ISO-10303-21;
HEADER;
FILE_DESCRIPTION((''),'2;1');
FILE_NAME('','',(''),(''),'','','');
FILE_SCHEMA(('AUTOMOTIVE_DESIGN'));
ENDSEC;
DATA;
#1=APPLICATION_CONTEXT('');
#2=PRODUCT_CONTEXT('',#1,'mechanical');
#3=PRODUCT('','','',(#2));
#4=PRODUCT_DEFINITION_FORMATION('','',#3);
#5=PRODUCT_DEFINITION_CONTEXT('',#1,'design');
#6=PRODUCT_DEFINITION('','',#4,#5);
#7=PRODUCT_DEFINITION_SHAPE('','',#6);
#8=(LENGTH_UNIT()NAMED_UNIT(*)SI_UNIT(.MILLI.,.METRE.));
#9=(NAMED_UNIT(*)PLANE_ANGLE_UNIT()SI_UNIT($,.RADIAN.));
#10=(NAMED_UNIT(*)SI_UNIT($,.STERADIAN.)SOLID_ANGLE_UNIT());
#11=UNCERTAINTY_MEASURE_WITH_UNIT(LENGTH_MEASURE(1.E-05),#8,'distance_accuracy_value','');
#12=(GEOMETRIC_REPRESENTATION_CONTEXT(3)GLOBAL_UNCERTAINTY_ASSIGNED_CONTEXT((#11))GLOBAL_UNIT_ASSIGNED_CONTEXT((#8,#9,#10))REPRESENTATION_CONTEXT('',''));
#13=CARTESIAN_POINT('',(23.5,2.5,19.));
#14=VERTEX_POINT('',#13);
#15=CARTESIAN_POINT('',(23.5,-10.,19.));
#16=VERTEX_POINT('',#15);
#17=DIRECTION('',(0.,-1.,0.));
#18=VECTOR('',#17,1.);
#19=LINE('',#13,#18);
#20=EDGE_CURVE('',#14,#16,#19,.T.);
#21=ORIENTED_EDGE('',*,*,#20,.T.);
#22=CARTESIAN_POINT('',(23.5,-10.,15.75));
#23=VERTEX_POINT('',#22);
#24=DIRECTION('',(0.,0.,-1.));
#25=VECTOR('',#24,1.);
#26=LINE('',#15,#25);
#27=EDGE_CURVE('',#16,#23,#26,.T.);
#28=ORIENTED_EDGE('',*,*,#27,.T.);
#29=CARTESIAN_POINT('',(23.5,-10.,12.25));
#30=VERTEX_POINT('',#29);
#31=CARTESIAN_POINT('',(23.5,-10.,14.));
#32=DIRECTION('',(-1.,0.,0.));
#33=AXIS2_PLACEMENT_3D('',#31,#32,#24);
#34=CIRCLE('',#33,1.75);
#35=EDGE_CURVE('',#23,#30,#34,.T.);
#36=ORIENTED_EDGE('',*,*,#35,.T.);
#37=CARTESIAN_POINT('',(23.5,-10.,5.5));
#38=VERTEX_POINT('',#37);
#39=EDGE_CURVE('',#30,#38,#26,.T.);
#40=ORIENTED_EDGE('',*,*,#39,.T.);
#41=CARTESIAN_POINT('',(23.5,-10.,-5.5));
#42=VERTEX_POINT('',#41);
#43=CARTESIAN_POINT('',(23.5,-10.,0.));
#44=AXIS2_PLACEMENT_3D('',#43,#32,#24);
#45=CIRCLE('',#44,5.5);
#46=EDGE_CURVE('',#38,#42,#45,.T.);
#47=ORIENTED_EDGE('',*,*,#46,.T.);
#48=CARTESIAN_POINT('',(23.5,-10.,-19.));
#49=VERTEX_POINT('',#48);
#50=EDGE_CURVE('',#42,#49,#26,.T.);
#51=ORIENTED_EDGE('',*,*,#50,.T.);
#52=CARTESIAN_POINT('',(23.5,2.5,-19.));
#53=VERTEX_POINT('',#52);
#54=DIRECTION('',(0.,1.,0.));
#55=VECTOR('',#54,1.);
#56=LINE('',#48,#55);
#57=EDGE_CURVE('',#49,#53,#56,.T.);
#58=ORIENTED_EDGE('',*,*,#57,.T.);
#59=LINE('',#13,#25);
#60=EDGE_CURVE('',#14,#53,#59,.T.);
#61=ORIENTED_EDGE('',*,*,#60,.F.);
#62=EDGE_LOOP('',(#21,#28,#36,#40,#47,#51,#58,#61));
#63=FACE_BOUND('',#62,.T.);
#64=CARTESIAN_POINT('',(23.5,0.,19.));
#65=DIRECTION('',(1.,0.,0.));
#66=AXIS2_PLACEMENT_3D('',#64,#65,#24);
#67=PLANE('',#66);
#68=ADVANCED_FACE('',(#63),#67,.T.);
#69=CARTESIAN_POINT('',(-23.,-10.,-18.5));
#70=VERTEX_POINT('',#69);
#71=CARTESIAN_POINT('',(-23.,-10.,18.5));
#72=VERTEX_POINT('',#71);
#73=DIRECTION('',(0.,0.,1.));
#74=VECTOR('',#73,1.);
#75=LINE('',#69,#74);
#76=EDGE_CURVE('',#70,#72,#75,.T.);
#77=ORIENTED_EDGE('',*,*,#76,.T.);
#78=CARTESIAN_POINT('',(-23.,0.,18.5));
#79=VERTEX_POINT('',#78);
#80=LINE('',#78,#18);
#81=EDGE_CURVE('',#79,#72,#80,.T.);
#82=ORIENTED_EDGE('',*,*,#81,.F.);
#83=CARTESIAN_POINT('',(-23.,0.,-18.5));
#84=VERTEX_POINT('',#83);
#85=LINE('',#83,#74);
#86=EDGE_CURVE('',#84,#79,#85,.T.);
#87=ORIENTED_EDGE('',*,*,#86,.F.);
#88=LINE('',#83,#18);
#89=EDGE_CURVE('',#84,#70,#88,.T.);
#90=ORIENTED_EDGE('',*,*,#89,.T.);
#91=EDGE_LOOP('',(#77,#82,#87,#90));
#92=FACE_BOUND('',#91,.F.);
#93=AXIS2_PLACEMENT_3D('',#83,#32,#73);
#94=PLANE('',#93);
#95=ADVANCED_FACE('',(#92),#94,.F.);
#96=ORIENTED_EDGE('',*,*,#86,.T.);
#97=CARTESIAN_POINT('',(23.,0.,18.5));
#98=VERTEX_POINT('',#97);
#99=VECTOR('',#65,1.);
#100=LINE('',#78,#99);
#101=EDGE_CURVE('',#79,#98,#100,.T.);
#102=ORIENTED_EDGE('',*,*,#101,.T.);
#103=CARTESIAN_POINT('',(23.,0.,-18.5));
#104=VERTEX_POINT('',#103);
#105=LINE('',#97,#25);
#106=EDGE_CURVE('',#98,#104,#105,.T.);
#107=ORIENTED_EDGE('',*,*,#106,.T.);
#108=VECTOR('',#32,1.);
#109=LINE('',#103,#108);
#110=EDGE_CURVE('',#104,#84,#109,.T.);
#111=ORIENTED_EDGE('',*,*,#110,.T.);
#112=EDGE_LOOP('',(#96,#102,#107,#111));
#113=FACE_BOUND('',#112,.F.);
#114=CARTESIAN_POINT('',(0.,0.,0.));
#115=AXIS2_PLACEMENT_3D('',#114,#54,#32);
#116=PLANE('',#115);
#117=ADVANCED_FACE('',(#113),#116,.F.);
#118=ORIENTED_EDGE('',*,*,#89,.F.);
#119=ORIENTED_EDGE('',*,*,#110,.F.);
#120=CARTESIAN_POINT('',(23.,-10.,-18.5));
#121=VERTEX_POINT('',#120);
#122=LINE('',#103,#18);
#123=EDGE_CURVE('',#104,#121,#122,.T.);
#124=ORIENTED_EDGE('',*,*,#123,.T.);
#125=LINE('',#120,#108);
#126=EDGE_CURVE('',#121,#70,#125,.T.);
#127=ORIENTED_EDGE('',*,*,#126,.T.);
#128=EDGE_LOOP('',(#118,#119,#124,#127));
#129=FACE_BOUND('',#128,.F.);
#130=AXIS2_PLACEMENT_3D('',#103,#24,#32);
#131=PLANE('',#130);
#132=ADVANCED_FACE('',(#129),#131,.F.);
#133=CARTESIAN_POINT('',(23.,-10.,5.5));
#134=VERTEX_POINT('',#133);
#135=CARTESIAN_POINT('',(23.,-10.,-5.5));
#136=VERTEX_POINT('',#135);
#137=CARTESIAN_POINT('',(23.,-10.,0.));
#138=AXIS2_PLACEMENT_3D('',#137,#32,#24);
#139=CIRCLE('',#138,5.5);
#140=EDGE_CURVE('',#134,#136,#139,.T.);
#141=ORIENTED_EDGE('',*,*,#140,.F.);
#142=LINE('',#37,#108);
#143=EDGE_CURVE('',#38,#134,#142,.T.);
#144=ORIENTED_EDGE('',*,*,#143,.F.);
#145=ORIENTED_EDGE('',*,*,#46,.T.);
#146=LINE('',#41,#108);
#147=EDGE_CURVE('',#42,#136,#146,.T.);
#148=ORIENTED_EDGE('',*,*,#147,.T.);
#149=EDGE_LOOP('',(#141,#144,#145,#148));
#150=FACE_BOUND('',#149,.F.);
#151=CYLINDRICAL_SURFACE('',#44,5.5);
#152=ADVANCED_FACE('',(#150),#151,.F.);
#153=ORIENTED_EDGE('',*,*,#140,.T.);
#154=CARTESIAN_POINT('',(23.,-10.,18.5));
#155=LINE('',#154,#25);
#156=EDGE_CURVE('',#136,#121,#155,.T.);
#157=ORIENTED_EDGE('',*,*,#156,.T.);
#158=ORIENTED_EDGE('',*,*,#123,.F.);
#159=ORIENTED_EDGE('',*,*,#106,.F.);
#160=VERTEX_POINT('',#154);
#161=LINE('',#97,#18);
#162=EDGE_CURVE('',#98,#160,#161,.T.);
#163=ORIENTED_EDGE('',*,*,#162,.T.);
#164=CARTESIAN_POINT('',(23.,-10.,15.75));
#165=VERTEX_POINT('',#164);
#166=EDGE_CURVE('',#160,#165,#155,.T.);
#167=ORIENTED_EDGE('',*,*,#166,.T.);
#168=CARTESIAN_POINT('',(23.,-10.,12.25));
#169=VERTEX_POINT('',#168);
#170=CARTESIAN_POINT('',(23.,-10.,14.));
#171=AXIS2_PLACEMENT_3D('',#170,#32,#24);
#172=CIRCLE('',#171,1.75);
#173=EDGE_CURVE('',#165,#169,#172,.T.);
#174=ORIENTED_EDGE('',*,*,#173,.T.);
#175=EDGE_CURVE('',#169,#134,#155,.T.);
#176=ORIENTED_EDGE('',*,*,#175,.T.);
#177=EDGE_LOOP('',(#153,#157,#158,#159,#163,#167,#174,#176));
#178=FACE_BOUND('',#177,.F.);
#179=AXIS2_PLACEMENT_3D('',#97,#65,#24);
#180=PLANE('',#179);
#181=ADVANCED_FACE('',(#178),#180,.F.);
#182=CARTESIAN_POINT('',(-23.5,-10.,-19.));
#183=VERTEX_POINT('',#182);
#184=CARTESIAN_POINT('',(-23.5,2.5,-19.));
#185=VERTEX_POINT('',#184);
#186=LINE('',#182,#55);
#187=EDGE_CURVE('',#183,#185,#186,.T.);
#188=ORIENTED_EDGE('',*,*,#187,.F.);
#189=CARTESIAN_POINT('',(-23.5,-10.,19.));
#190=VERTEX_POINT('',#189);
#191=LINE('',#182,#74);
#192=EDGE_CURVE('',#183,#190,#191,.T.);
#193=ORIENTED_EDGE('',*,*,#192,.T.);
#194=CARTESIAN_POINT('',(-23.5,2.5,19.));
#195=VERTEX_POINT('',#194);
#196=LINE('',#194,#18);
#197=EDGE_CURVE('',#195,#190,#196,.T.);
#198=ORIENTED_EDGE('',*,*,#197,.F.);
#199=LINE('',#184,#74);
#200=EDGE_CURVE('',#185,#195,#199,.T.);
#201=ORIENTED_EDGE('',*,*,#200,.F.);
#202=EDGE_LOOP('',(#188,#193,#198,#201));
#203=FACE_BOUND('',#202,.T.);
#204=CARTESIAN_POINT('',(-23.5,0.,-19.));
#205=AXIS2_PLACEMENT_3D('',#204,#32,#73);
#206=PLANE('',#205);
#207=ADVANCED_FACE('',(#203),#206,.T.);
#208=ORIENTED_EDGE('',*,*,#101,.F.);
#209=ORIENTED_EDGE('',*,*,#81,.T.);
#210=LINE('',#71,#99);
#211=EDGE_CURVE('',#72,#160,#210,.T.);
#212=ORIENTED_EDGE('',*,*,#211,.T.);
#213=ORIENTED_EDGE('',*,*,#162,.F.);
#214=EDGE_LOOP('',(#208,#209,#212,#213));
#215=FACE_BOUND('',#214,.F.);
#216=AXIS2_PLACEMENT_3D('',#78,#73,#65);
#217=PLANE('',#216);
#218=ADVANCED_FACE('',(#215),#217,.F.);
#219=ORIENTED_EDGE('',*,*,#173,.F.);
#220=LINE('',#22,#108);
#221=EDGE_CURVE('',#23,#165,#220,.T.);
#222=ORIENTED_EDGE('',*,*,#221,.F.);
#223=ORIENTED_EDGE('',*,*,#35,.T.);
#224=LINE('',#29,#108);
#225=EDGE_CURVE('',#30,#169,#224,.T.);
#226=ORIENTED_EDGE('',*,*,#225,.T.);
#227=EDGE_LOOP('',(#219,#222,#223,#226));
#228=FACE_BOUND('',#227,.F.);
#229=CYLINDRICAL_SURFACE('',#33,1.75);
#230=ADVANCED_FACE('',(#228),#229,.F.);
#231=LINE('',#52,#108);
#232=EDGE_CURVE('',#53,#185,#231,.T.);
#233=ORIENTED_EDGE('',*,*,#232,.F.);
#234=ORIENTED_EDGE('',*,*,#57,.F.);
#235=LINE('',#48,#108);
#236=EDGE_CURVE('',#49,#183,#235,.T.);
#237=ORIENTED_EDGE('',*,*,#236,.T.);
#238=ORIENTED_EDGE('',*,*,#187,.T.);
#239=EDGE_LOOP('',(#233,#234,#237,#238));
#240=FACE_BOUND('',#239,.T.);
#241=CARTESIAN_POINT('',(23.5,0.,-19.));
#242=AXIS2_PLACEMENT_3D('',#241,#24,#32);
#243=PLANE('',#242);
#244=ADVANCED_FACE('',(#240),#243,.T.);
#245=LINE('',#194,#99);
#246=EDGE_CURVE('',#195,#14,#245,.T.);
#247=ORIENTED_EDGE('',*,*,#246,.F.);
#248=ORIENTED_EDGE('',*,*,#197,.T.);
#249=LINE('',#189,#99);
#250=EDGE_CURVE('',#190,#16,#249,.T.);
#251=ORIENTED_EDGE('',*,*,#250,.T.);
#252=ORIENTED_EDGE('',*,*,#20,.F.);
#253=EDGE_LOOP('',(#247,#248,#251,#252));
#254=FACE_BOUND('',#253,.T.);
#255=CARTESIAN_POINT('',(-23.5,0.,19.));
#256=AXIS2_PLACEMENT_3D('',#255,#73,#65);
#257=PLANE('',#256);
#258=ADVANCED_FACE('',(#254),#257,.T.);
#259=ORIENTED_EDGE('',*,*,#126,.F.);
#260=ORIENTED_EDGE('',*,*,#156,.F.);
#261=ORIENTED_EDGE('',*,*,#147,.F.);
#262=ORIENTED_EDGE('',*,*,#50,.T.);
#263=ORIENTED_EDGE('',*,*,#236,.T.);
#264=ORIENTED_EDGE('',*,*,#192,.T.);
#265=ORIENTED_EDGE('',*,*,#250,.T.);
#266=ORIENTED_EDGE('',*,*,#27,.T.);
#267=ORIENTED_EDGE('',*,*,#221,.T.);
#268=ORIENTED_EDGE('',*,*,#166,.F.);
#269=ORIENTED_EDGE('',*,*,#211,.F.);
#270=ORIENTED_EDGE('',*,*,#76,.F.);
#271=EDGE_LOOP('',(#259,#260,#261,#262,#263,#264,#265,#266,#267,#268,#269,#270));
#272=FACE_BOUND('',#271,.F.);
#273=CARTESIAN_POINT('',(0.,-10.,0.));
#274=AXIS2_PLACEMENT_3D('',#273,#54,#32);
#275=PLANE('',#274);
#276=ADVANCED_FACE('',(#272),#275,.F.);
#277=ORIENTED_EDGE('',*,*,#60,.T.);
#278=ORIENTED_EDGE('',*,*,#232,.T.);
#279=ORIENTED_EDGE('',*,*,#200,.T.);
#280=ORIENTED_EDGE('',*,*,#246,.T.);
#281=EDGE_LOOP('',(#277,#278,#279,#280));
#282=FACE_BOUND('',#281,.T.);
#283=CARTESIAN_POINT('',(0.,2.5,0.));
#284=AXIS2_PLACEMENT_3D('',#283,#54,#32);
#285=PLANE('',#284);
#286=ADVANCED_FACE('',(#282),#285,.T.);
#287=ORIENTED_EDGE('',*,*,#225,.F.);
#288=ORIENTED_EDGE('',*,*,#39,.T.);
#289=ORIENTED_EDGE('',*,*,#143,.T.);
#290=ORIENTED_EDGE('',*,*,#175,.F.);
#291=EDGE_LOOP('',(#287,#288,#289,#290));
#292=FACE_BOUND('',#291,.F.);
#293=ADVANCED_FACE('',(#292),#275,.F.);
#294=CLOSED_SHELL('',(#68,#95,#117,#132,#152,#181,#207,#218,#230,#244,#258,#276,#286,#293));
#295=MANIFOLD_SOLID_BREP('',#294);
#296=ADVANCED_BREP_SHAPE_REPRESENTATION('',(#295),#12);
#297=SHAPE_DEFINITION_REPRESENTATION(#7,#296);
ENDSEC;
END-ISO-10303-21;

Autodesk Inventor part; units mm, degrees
ref_plane "YZ Plane" through (0, 0, 0) normal (1, 0, 0) x (0, 1, 0)
ref_plane "XZ Plane" through (0, 0, 0) normal (0, 1, 0) x (-1, 0, 0)
ref_plane "XY Plane" through (0, 0, 0) normal (0, 0, 1) x (1, 0, 0)
sketch "Sketch1" plane through (0, 0, 0) normal (0, 1, 0) x (-1, 0, 0)
  line L0 (-23.5, -19) -> (23.5, -19)
  line L1 (23.5, -19) -> (23.5, 19)
  line L2 (23.5, 19) -> (-23.5, 19)
  line L3 (-23.5, 19) -> (-23.5, -19)
  line L4 (-23.5, -19) -> (23.5, 19) construction
  line L5 (23.5, -19) -> (-23.5, 19) construction
  line L6 (-23, -18.5) -> (23, -18.5)
  line L7 (23, -18.5) -> (23, 18.5)
  line L8 (23, 18.5) -> (-23, 18.5)
  line L9 (-23, 18.5) -> (-23, -18.5)
  line L10 (-23, -18.5) -> (23, 18.5) construction
  line L11 (23, -18.5) -> (-23, 18.5) construction
  point P0 (0, 0)
  dimension "d0" = 47
  dimension "d1" = 38
  dimension "d2" = 46
  dimension "d3" = 37
extrude "Extrusion1" add sketch "Sketch1" along normal blind 2.5 contours L3 L2 L1 L0 | L9 L8 L7 L6
extrude "Extrusion2" add sketch "Sketch1" against normal blind 10
sketch "Sketch2" plane through (23.5, 2.5, 19) normal (1, 0, 0) x (0, 0, -1)
  line L0 (38, -12.5) -> (0, -12.5) projected
  line L1 (38, -12.5) -> (19, -12.5)
  line L2 (19, -12.5) -> (5, -12.5)
  point P0 (19, -2.5)
  dimension "d8" = 19
  dimension "d9" = 14
hole "Hole1" at (23.5, -10, 14) direction (-1, 0, 0) diameter 3.5 depth 8
hole "Hole2" at (23.5, -10, 0) direction (-1, 0, 0) diameter 11 depth 8
properties part number "HUDSON-1-54A"
